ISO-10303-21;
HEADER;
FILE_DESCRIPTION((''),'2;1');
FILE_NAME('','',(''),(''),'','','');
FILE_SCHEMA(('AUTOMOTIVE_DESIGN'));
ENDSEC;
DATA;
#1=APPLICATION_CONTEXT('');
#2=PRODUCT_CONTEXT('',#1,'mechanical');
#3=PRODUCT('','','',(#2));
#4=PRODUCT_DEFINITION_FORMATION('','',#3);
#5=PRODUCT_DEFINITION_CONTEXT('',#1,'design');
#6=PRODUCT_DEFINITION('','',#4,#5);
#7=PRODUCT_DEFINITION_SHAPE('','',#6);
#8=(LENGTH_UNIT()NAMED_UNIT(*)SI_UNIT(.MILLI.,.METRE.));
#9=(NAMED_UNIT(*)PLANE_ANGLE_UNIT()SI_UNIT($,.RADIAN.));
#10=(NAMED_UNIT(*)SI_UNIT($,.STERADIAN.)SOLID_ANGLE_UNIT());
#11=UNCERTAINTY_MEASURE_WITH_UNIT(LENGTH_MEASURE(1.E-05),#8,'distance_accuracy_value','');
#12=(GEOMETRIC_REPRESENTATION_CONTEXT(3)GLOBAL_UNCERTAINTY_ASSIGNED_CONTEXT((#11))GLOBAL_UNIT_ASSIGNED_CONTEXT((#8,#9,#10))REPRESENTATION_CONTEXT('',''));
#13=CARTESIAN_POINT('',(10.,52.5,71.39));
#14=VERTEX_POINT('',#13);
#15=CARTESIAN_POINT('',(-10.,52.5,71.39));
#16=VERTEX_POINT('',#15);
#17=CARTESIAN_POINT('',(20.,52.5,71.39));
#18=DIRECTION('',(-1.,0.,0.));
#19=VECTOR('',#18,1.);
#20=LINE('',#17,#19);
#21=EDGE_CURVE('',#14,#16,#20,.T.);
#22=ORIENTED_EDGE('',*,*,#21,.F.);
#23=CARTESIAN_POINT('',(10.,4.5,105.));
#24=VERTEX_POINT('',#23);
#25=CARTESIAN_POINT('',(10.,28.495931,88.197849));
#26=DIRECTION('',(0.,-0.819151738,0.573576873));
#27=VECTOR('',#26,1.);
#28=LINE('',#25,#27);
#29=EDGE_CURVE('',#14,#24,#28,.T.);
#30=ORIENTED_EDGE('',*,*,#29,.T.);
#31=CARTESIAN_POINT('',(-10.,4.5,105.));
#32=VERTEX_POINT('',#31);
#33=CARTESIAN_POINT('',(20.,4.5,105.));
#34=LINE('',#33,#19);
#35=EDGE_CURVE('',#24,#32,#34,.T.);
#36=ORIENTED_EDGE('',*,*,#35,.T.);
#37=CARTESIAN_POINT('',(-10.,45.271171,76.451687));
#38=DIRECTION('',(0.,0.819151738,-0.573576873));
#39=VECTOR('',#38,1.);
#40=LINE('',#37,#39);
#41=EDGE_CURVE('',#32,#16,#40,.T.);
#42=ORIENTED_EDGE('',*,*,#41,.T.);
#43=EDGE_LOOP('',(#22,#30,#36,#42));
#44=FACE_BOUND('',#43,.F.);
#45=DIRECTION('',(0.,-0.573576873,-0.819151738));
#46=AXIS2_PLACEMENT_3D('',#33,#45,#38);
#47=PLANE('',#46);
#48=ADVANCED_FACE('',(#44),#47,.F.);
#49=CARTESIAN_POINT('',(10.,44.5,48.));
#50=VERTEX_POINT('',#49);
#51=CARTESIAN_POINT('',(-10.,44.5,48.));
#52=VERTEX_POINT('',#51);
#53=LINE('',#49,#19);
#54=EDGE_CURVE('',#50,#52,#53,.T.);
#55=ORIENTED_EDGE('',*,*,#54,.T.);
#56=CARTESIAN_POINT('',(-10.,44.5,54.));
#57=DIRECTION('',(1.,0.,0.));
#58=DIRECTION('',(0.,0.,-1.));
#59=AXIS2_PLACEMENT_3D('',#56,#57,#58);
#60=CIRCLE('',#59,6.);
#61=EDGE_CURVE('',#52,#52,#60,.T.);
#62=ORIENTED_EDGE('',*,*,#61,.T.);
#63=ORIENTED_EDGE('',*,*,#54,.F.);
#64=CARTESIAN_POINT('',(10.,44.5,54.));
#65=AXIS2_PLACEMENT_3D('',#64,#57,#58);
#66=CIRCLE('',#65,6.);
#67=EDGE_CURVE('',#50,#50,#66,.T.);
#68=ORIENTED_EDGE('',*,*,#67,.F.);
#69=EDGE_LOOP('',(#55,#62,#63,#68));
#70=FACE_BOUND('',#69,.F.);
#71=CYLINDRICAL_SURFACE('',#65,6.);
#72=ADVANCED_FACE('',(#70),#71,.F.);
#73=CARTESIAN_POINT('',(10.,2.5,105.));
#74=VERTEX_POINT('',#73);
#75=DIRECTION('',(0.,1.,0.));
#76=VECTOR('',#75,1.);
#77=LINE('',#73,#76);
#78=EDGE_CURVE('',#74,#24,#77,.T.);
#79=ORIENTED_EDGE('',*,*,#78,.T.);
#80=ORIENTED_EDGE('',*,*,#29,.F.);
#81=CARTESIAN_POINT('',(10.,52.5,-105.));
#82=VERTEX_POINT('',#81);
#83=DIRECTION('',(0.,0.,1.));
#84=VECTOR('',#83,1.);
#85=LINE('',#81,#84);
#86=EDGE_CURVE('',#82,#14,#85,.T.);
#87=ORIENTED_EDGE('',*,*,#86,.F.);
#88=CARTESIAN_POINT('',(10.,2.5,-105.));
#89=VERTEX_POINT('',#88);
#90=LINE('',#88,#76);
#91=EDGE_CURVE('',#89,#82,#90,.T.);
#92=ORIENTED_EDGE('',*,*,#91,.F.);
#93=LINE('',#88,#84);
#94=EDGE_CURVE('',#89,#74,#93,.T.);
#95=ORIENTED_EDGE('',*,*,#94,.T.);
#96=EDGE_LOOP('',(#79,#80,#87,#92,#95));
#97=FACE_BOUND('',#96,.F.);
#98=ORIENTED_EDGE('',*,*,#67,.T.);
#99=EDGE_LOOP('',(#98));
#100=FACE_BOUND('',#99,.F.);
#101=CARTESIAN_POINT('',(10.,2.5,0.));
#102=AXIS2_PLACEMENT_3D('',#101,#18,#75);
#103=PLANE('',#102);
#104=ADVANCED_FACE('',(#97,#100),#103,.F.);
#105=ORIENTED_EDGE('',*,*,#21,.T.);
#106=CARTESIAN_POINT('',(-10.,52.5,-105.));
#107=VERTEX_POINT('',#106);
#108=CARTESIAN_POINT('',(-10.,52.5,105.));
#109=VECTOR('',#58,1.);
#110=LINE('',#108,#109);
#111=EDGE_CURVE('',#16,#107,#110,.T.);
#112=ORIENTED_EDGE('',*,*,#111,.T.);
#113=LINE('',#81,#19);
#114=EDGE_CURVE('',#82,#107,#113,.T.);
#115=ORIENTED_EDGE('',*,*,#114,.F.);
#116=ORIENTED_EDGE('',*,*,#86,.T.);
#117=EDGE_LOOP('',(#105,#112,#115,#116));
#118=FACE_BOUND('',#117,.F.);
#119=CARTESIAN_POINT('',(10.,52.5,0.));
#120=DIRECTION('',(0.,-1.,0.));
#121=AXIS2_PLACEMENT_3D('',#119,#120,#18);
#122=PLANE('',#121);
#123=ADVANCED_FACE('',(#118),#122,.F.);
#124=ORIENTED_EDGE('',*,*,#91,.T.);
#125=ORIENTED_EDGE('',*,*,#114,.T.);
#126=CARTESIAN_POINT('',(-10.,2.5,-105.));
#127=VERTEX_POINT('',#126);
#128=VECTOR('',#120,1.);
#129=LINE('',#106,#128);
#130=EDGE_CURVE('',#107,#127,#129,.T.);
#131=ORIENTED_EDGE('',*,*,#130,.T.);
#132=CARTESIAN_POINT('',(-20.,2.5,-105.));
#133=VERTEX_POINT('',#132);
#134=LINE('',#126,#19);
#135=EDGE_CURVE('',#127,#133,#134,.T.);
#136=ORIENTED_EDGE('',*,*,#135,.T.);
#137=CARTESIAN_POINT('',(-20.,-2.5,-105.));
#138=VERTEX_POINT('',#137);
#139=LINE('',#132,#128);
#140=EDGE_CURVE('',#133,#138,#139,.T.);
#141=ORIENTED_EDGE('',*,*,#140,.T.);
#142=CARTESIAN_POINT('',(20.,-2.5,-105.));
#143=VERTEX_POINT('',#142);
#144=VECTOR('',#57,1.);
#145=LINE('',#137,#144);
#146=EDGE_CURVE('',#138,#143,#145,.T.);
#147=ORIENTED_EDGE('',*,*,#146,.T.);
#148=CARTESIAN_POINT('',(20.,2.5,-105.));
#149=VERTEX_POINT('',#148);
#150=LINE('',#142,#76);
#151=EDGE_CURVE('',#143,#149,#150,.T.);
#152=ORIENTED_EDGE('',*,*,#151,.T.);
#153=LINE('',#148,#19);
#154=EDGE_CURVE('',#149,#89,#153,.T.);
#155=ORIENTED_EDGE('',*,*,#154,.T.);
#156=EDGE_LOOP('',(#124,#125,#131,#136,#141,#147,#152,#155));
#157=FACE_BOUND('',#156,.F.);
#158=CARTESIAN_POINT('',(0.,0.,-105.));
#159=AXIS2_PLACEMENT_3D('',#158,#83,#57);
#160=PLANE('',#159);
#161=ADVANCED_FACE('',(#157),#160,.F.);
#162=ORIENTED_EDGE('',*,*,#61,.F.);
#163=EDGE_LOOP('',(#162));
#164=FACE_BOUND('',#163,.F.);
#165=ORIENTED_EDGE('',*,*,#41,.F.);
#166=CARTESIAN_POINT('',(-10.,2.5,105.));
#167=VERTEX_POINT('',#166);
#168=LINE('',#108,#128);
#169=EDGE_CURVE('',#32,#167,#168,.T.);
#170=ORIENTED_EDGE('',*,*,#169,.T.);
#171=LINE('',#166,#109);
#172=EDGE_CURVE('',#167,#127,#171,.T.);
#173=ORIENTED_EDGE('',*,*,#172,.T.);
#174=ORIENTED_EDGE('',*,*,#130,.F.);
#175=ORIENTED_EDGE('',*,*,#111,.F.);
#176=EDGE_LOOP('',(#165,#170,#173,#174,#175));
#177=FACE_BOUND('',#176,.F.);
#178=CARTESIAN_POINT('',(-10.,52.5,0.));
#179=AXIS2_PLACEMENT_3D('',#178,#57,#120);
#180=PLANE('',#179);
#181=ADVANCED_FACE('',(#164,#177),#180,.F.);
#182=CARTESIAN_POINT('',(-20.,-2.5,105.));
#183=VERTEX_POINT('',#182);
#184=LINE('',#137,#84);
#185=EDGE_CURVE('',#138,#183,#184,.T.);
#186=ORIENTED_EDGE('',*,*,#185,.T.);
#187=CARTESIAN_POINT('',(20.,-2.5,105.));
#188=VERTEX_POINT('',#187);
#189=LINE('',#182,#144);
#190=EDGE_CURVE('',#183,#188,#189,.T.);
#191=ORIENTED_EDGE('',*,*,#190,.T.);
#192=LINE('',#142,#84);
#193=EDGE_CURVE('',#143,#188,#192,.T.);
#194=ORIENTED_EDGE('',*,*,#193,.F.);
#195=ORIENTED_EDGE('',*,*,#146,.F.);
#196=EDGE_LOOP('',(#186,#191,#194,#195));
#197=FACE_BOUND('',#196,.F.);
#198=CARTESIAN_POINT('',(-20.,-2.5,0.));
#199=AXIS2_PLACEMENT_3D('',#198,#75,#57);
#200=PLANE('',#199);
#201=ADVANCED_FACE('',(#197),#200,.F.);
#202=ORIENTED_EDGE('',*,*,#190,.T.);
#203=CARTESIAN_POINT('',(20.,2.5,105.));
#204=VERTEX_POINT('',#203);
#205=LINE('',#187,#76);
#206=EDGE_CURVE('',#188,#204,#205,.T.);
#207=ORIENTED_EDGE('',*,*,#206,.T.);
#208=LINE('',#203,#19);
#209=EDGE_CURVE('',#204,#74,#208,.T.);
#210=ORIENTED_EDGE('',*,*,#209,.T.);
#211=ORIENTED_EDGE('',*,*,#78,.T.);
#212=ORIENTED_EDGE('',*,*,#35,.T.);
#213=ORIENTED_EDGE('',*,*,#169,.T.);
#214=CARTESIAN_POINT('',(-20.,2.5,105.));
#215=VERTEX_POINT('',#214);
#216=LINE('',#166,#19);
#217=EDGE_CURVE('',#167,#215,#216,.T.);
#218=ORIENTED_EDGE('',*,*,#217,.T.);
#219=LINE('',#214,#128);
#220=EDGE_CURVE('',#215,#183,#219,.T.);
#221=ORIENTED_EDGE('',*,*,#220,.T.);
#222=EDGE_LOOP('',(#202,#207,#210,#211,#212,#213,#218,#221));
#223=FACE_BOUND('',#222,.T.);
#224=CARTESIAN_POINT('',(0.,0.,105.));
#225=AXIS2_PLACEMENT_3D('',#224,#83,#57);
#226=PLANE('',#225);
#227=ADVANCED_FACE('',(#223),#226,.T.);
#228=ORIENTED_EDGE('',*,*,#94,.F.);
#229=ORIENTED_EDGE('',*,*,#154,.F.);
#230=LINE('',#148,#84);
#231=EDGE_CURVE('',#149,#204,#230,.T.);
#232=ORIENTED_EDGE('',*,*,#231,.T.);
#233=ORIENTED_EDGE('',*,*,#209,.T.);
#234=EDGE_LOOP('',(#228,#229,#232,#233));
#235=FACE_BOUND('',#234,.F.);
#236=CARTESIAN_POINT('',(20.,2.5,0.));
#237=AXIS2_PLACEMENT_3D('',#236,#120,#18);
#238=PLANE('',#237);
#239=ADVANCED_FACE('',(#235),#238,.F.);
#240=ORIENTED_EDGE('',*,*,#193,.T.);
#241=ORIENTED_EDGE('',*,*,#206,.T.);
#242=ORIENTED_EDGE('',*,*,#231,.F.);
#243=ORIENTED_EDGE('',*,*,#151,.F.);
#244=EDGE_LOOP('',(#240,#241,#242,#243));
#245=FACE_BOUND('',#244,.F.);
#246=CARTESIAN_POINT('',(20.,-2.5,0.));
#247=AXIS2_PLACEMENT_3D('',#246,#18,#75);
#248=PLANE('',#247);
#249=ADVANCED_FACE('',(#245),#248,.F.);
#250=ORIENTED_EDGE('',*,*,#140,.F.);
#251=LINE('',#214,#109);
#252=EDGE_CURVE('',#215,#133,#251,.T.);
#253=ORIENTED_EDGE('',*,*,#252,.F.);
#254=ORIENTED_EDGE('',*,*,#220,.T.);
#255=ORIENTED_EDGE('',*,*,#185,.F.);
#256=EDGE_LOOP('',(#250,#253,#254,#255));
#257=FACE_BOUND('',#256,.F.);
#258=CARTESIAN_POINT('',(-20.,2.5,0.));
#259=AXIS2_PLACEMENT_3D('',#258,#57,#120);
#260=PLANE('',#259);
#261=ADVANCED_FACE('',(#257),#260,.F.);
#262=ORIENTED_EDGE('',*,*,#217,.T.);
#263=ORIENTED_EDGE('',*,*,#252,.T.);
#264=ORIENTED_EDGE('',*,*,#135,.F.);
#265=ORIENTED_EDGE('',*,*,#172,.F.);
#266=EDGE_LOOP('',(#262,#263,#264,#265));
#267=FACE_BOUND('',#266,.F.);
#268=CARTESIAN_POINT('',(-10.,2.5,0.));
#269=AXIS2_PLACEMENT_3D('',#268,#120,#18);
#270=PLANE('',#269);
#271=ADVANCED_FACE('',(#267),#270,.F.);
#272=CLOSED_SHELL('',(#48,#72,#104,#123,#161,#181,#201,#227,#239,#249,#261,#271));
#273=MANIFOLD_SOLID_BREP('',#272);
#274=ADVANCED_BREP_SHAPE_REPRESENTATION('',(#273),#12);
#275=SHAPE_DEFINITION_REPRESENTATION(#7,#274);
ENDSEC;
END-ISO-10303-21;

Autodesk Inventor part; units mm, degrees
ref_plane "YZ Plane" through (0, 0, 0) normal (1, 0, 0) x (0, 1, 0)
ref_plane "XZ Plane" through (0, 0, 0) normal (0, 1, 0) x (-1, 0, 0)
ref_plane "XY Plane" through (0, 0, 0) normal (0, 0, 1) x (1, 0, 0)
sketch "スケッチ1" plane through (0, 0, 0) normal (0, 0, 1) x (1, 0, 0)
  line L0 (-20, -2.5) -> (20, -2.5)
  line L1 (20, -2.5) -> (20, 2.5)
  line L2 (-20, 2.5) -> (-20, -2.5)
  line L3 (-20, -2.5) -> (20, 2.5) construction
  line L4 (20, -2.5) -> (-20, 2.5) construction
  line L5 (-10, 2.5) -> (10, 2.5)
  line L6 (10, 2.5) -> (10, 52.5)
  line L7 (10, 52.5) -> (-10, 52.5)
  line L8 (-10, 52.5) -> (-10, 2.5)
  line L9 (-10, 2.5) -> (10, 52.5) construction
  line L10 (10, 2.5) -> (-10, 52.5) construction
  line L11 (20, 2.5) -> (10, 2.5)
  line L12 (-10, 2.5) -> (-20, 2.5)
  point P0 (0, 0)
  point P1 (0, 27.5)
  point P2 (0, 27.5)
  point P3 (0, 0)
  dimension "d0" = 20
  dimension "d1" = 50
  dimension "d2" = 5
  dimension "d3" = 10
extrude "押し出し1" add sketch "スケッチ1" along normal mid plane 210
sketch "スケッチ4" plane through (20, -2.5, 105) normal (1, 0, 0) x (0, 0, -1)
  line L0 (0, 7) -> (33.61, 55)
  line L1 (210, 55) -> (0, 55) projected
  line L2 (0, 5) -> (0, 55) projected
  line L3 (210, 5) -> (0, 5) projected
  line L4 (210, 55) -> (210, 5) projected
  line L5 (0, 0) -> (0, 5) projected
  point P0 (105, 2.5)
  dimension "d18" = 35
  dimension "d21" = 2
extrude "押し出し3" cut sketch "スケッチ4" against normal through all contours L2 L1 L0
sketch "スケッチ6" plane through (10, 2.5, -105) normal (1, 0, 0) x (0, 0, -1)
  circle A0 centre (-159, 42) radius 6
  line L0 (0, 0) -> (-210, 0) projected
  line L1 (-210, -5) -> (-210, 0) projected
  point P0 (-105, -2.5)
  dimension "d33" = 12
  dimension "d34" = 42
  dimension "d35" = 51
extrude "押し出し4" cut sketch "スケッチ6" against normal through all
properties part number "s_base2"
